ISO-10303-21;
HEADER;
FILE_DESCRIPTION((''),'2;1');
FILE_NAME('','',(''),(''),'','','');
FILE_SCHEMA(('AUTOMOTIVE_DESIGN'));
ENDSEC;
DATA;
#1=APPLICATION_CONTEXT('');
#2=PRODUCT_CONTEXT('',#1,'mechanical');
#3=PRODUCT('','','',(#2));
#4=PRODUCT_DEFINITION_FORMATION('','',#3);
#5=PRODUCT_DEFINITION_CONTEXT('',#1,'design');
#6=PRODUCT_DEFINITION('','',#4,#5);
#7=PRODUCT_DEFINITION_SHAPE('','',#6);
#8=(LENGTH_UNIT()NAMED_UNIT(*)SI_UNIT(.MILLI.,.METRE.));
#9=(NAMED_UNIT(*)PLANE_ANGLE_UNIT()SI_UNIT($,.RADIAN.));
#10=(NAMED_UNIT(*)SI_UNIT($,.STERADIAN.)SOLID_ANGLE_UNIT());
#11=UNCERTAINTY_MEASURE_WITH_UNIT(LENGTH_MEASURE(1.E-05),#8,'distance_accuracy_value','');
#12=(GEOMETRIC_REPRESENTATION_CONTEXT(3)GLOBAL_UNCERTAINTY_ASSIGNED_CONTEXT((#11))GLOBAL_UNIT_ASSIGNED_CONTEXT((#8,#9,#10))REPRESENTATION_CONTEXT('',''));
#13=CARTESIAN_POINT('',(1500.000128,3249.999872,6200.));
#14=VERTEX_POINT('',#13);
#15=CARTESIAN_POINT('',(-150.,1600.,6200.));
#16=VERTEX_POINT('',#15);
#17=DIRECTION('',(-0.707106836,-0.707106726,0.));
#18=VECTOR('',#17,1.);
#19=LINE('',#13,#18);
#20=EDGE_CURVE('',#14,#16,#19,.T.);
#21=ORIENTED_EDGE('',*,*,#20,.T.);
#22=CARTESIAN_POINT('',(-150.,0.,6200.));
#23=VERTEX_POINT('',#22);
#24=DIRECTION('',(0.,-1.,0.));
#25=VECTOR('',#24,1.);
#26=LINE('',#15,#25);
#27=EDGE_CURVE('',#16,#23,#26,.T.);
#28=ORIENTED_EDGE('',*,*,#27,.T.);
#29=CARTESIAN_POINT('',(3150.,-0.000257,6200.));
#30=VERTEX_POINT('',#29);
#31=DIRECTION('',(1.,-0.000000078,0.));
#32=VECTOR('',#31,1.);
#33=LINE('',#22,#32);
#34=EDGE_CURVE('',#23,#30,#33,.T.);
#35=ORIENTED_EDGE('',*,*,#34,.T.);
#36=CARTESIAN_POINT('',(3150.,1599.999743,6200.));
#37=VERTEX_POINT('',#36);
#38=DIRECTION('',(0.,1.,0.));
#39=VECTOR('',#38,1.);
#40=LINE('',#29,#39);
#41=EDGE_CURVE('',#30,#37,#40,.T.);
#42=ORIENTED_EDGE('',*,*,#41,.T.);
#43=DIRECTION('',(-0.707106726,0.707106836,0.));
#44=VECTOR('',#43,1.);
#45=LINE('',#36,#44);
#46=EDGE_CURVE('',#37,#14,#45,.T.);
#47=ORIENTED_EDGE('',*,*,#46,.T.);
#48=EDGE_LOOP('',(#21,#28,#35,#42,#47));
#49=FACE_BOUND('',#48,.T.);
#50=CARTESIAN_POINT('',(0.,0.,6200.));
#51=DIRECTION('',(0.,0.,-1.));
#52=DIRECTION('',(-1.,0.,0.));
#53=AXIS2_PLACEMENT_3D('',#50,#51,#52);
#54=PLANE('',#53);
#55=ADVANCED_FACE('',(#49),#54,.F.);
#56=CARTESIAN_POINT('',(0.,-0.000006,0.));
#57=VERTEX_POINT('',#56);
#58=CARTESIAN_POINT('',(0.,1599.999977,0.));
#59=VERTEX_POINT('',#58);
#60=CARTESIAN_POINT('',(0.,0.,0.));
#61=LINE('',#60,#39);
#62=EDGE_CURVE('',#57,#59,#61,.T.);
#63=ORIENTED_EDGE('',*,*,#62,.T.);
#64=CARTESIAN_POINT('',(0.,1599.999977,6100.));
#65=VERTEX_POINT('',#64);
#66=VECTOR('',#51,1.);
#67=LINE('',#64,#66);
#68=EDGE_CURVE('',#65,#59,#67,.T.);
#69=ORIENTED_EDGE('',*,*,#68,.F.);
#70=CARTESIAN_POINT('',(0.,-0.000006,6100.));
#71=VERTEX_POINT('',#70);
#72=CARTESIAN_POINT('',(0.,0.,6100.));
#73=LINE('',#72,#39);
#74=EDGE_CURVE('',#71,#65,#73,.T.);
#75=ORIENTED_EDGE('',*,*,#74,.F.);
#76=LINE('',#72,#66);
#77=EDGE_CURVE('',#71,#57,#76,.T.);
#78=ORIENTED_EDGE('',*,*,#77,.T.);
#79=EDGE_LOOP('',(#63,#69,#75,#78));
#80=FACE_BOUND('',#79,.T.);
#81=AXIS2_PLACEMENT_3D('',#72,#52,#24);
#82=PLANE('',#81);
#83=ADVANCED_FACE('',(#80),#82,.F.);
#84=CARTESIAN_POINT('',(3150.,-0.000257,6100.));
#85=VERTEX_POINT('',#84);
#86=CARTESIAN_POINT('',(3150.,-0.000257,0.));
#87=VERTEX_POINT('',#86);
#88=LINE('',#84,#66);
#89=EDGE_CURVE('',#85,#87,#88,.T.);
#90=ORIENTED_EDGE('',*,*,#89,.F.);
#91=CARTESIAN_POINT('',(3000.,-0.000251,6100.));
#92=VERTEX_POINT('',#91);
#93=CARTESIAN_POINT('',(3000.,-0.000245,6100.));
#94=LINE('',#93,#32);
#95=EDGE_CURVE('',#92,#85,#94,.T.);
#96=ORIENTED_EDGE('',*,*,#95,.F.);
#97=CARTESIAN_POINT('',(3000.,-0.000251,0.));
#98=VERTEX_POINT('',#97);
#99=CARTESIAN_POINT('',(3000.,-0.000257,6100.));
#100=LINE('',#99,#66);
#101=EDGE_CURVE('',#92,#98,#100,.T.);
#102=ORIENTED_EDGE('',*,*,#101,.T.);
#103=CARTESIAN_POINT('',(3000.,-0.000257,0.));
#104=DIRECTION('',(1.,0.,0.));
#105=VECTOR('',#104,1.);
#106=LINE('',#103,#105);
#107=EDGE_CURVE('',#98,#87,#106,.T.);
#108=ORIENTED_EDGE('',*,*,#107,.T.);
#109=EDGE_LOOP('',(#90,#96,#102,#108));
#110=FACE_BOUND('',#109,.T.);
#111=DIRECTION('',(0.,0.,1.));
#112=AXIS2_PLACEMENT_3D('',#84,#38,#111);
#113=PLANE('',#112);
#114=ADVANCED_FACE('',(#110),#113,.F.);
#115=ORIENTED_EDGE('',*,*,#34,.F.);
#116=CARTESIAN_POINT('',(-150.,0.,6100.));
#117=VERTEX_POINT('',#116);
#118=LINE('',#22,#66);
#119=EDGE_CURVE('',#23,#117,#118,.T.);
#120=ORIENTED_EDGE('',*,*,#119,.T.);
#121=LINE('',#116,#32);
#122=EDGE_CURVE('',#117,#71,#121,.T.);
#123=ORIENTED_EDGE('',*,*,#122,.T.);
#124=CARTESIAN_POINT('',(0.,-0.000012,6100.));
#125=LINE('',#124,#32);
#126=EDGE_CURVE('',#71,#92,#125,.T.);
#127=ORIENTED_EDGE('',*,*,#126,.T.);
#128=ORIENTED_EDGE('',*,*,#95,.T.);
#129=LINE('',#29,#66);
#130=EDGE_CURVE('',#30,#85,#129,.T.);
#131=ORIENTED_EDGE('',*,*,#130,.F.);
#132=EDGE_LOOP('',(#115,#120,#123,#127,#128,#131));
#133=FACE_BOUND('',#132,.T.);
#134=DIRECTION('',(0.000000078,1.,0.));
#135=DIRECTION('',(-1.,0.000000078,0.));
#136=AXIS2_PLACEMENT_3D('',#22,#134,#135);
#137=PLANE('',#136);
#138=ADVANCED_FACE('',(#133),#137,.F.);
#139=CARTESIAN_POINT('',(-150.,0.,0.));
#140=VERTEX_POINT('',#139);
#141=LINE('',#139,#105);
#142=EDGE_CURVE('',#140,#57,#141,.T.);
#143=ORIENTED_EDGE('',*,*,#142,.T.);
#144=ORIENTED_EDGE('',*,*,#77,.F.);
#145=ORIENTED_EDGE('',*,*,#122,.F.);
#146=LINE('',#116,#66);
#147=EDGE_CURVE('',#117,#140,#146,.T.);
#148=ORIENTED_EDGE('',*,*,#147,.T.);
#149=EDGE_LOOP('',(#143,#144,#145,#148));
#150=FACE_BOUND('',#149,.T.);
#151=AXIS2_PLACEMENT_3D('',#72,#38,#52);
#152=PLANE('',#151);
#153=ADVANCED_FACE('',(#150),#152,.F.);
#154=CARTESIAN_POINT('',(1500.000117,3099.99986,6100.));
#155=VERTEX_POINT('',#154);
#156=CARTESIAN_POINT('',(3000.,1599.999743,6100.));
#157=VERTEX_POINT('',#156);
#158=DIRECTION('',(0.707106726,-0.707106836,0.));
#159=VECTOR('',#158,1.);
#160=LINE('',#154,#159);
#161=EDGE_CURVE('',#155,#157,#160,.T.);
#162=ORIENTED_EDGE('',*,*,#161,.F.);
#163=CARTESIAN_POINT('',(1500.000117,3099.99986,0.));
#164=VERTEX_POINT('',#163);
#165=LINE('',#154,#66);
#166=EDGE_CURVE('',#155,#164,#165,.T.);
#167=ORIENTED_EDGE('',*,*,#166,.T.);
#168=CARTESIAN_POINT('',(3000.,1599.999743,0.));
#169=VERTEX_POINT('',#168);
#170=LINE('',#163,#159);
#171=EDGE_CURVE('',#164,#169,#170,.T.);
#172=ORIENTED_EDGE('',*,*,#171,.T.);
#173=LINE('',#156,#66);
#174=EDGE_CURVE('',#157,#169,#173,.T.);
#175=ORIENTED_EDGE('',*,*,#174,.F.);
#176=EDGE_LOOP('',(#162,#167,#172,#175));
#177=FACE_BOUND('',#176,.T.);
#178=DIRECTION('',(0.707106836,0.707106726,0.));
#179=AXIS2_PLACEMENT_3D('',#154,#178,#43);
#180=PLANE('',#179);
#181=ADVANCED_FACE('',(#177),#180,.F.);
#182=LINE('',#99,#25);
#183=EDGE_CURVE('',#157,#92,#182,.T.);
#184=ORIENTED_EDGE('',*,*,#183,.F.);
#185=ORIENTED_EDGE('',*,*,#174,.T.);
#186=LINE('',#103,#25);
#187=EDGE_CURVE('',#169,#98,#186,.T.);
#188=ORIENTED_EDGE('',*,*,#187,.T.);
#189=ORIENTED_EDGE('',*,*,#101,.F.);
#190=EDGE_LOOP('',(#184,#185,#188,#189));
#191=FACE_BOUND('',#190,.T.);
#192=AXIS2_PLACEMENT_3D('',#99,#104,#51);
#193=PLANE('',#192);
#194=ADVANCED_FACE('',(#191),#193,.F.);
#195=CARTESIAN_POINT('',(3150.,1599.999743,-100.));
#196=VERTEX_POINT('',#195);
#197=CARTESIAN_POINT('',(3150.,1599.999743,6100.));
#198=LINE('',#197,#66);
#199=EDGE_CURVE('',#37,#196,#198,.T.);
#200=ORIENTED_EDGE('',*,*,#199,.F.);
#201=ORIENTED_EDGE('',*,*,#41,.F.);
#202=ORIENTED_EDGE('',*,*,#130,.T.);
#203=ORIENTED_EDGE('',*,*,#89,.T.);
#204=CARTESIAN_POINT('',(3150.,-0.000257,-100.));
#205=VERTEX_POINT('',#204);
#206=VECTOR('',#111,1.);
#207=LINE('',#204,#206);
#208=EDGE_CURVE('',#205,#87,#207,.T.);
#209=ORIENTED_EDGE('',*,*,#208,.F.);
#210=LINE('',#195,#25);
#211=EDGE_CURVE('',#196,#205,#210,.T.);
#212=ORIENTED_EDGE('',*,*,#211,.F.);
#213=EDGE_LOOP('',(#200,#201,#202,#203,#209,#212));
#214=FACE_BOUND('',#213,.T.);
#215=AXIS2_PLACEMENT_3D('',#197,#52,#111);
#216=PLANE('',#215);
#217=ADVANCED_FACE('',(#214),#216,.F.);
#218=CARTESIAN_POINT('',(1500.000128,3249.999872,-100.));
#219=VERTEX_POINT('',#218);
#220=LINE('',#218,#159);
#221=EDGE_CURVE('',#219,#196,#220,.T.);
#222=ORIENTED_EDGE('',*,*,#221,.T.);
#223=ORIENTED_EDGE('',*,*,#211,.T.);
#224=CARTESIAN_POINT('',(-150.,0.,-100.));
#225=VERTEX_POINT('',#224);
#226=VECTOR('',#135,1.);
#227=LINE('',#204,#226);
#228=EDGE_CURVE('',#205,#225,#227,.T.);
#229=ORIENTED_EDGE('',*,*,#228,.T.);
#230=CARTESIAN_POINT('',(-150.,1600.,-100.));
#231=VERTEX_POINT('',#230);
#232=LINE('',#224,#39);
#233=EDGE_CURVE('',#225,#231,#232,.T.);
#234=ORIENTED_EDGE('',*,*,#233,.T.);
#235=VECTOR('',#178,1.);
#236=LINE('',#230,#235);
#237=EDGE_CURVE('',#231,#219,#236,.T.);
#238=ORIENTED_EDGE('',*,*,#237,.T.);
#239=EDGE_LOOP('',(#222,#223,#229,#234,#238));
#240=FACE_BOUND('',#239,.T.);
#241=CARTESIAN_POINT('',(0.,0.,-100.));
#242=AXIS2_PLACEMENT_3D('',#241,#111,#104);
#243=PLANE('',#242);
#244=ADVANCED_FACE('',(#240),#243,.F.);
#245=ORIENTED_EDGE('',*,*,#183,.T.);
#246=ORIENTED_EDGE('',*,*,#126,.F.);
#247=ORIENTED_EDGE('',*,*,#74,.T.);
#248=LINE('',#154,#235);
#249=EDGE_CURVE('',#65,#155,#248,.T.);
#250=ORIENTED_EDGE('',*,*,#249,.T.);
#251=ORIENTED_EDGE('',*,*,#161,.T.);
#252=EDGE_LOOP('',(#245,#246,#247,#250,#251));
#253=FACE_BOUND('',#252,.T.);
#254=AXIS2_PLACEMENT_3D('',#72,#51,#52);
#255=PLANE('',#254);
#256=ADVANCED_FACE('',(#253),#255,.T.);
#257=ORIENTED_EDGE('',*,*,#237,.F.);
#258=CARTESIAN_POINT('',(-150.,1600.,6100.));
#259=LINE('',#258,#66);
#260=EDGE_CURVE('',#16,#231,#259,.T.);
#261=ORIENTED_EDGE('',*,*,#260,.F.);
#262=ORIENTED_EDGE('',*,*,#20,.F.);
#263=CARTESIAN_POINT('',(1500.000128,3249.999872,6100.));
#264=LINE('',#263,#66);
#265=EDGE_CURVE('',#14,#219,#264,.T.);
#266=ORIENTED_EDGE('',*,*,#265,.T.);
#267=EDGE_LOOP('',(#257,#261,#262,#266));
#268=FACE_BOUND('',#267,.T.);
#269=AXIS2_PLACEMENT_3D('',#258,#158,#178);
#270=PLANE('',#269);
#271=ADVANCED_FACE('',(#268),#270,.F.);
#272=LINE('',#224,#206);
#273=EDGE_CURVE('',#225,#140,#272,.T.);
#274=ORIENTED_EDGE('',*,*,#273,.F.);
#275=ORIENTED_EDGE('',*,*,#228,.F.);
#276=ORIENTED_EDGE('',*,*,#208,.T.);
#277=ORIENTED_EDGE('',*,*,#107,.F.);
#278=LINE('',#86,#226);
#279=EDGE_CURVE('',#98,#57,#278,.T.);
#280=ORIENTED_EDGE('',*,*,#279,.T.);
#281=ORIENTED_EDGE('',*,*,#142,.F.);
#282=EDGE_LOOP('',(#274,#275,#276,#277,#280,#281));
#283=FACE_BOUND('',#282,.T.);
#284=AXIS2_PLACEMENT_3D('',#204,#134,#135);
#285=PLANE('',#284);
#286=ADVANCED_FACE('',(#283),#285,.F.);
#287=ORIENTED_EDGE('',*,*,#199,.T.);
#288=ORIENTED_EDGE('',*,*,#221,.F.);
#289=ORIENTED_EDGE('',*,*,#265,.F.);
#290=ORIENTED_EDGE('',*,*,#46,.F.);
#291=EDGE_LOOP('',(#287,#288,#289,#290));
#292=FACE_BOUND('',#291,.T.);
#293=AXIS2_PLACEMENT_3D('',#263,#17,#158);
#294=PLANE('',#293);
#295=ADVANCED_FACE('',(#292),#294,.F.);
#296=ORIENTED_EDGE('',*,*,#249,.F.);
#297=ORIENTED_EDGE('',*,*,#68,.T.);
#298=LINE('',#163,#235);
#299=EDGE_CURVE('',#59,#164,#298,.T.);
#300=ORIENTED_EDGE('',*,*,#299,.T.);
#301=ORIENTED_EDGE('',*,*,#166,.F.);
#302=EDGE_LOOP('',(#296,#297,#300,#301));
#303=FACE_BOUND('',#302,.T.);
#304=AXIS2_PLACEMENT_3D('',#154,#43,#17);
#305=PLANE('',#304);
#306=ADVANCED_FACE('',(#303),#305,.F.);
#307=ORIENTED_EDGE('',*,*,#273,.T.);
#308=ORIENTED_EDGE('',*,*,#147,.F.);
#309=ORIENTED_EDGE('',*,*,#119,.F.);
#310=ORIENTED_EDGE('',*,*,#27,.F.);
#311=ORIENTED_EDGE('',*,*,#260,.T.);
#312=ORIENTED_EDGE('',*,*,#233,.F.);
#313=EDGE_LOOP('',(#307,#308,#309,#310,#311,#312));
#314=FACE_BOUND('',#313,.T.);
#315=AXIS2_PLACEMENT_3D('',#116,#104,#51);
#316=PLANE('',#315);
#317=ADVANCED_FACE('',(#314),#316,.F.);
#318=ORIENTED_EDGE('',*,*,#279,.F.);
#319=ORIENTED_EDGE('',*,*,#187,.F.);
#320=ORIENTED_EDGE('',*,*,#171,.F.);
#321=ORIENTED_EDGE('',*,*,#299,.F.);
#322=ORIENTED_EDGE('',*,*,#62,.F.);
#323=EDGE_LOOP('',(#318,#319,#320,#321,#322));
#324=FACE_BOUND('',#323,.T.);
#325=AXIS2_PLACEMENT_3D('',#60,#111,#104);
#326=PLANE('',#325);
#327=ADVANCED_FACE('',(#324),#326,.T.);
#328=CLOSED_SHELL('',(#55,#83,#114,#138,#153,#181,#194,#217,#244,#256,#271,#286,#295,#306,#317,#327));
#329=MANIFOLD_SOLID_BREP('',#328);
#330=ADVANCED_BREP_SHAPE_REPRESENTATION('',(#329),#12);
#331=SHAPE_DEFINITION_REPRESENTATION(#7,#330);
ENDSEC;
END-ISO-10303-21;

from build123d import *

# Parameters (mm, degrees)
EXTRUDE_1_DEPTH = 6100
EXTRUDE_4_DEPTH = 100
EXTRUDE_5_DEPTH = 100
EXTRUDE_3_DEPTH = 50


with BuildPart() as part:
    # 草图1 → 凸台-拉伸1 (new body)
    with BuildSketch(Plane.XY):
        Polygon((0, 0), (-150, 0), (-150, 1600), (1500.000128285, 3249.999871715), (3150, 1599.999743429), (3150, -0.000256571), (3000, -0.000256571), (3000, 1599.999743429), (1500.000116623, 3099.999860052), (0, 1599.999976675), align=None)
    extrude(amount=EXTRUDE_1_DEPTH)

    # 草图4 → 凸台-拉伸4 (add)
    with BuildSketch(Plane(origin=(0, 0, 0), x_dir=(-1, 0, 0), z_dir=(0, 0, -1))):
        Polygon((-3150, 1599.999743429), (-3150, -0.000256571), (150, 0), (150, 1600), (-1500.000128285, 3249.999871715), align=None)
    extrude(amount=EXTRUDE_4_DEPTH)

    # 草图5 → 凸台-拉伸5 (add)
    with BuildSketch(Plane.XY.offset(6100)):
        Polygon((-150, 1600), (-150, 0), (3150, -0.000256571), (3150, 1599.999743429), (1500.000128285, 3249.999871715), align=None)
    extrude(amount=EXTRUDE_5_DEPTH)

    # 草图3 → 凸台-拉伸3 (add)
    with BuildSketch(Plane(origin=(0, 0, 0), x_dir=(-1, 0, 0), z_dir=(0, 0, -1))):
        Polygon((-3150, 0), (-3150, 1599.999743429), (-1500.000128285, 3249.999871715), (150, 1600), (150, 0), align=None)
    extrude(amount=EXTRUDE_3_DEPTH)


solid = part.part
